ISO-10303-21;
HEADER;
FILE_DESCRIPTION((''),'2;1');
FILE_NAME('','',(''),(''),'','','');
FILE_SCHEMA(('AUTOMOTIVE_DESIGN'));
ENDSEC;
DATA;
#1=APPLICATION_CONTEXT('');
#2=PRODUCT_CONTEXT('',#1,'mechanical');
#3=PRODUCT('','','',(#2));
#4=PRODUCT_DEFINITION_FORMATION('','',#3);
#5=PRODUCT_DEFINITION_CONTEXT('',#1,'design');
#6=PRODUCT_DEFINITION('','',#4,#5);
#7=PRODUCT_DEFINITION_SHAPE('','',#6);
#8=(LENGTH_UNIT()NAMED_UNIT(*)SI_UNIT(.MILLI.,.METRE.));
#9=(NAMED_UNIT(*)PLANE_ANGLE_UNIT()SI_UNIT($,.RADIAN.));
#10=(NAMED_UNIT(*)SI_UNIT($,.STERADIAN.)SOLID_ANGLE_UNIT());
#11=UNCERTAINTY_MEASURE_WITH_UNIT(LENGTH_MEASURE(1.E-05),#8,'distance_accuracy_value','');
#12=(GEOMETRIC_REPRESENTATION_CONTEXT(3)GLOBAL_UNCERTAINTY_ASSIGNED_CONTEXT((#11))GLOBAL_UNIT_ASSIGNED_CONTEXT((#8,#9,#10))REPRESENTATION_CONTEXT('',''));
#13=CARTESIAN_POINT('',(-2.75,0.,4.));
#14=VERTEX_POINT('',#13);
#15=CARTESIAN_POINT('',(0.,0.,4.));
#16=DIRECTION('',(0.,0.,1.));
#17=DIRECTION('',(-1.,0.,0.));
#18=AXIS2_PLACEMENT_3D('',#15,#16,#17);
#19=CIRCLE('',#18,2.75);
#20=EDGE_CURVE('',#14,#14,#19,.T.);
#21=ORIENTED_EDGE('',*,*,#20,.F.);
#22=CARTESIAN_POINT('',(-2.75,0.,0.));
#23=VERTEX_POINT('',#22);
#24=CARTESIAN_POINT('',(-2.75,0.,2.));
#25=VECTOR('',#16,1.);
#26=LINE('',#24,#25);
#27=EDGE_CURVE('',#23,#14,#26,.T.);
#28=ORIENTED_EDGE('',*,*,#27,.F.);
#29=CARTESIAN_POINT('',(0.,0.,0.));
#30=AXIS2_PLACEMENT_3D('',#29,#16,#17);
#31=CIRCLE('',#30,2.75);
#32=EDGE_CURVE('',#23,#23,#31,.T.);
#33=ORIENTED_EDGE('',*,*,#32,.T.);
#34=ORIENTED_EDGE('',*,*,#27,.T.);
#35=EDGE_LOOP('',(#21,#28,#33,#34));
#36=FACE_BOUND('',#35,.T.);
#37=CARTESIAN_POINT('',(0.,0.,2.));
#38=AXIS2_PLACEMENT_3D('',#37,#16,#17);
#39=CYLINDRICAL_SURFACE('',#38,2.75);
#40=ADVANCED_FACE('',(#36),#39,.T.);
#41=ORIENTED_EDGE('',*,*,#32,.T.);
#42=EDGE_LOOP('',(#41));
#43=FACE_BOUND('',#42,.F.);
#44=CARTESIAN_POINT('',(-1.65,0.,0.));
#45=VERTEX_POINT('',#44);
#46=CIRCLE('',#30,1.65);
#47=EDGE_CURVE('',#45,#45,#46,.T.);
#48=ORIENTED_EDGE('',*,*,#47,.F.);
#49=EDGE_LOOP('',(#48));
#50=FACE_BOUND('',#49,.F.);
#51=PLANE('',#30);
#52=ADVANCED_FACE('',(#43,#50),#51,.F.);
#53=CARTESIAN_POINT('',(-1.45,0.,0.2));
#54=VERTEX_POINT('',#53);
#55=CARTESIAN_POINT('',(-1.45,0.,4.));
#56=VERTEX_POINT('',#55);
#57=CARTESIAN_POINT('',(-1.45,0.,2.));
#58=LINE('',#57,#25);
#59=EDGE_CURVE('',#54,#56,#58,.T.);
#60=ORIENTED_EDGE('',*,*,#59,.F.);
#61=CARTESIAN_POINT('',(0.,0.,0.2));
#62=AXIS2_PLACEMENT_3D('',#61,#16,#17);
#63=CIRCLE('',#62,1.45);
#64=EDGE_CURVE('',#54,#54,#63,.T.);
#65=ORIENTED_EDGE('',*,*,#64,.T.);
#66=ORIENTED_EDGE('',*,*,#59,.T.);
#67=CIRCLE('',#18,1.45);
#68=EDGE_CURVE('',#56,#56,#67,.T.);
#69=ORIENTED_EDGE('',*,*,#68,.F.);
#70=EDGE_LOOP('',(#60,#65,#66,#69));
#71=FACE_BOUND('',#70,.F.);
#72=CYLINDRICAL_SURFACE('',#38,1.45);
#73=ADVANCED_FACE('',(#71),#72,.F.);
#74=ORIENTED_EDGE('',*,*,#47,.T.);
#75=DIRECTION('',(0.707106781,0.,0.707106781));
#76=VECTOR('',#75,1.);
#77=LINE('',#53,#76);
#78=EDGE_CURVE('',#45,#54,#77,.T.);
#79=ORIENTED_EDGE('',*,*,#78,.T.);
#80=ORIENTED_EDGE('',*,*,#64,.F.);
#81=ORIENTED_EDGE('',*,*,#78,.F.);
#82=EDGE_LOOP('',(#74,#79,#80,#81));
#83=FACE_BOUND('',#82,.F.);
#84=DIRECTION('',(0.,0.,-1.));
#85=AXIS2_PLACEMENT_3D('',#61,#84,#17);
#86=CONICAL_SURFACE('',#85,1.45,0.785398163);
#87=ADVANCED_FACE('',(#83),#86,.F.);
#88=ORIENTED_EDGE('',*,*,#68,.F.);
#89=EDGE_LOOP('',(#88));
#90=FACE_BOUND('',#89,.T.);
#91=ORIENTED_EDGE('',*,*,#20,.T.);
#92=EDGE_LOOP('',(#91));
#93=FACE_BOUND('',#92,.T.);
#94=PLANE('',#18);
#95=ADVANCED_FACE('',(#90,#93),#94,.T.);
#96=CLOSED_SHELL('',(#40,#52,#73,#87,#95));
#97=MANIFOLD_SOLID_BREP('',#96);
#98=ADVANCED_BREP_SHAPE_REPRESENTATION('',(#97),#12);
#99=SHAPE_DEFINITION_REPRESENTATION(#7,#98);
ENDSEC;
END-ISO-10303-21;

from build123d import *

# Parameters (mm, degrees)
F0_W    = 1.3
F0_H    = 4
F2_SIZE = 0.2


with BuildPart() as f1:
    # F0 (on Front) → F1 (revolve)
    with BuildSketch(Plane.XZ):
        with Locations((-2.1, 2)):
            Rectangle(F0_W, F0_H)
    revolve(axis=Axis((0, 0, 4.375246), (0, 0, 1)))

    # F2
    f2_edges = [f1.edges().sort_by_distance(p)[0] for p in [
        (1.45, 0, 0),
    ]]
    chamfer(f2_edges, length=F2_SIZE)


solid = f1.part
